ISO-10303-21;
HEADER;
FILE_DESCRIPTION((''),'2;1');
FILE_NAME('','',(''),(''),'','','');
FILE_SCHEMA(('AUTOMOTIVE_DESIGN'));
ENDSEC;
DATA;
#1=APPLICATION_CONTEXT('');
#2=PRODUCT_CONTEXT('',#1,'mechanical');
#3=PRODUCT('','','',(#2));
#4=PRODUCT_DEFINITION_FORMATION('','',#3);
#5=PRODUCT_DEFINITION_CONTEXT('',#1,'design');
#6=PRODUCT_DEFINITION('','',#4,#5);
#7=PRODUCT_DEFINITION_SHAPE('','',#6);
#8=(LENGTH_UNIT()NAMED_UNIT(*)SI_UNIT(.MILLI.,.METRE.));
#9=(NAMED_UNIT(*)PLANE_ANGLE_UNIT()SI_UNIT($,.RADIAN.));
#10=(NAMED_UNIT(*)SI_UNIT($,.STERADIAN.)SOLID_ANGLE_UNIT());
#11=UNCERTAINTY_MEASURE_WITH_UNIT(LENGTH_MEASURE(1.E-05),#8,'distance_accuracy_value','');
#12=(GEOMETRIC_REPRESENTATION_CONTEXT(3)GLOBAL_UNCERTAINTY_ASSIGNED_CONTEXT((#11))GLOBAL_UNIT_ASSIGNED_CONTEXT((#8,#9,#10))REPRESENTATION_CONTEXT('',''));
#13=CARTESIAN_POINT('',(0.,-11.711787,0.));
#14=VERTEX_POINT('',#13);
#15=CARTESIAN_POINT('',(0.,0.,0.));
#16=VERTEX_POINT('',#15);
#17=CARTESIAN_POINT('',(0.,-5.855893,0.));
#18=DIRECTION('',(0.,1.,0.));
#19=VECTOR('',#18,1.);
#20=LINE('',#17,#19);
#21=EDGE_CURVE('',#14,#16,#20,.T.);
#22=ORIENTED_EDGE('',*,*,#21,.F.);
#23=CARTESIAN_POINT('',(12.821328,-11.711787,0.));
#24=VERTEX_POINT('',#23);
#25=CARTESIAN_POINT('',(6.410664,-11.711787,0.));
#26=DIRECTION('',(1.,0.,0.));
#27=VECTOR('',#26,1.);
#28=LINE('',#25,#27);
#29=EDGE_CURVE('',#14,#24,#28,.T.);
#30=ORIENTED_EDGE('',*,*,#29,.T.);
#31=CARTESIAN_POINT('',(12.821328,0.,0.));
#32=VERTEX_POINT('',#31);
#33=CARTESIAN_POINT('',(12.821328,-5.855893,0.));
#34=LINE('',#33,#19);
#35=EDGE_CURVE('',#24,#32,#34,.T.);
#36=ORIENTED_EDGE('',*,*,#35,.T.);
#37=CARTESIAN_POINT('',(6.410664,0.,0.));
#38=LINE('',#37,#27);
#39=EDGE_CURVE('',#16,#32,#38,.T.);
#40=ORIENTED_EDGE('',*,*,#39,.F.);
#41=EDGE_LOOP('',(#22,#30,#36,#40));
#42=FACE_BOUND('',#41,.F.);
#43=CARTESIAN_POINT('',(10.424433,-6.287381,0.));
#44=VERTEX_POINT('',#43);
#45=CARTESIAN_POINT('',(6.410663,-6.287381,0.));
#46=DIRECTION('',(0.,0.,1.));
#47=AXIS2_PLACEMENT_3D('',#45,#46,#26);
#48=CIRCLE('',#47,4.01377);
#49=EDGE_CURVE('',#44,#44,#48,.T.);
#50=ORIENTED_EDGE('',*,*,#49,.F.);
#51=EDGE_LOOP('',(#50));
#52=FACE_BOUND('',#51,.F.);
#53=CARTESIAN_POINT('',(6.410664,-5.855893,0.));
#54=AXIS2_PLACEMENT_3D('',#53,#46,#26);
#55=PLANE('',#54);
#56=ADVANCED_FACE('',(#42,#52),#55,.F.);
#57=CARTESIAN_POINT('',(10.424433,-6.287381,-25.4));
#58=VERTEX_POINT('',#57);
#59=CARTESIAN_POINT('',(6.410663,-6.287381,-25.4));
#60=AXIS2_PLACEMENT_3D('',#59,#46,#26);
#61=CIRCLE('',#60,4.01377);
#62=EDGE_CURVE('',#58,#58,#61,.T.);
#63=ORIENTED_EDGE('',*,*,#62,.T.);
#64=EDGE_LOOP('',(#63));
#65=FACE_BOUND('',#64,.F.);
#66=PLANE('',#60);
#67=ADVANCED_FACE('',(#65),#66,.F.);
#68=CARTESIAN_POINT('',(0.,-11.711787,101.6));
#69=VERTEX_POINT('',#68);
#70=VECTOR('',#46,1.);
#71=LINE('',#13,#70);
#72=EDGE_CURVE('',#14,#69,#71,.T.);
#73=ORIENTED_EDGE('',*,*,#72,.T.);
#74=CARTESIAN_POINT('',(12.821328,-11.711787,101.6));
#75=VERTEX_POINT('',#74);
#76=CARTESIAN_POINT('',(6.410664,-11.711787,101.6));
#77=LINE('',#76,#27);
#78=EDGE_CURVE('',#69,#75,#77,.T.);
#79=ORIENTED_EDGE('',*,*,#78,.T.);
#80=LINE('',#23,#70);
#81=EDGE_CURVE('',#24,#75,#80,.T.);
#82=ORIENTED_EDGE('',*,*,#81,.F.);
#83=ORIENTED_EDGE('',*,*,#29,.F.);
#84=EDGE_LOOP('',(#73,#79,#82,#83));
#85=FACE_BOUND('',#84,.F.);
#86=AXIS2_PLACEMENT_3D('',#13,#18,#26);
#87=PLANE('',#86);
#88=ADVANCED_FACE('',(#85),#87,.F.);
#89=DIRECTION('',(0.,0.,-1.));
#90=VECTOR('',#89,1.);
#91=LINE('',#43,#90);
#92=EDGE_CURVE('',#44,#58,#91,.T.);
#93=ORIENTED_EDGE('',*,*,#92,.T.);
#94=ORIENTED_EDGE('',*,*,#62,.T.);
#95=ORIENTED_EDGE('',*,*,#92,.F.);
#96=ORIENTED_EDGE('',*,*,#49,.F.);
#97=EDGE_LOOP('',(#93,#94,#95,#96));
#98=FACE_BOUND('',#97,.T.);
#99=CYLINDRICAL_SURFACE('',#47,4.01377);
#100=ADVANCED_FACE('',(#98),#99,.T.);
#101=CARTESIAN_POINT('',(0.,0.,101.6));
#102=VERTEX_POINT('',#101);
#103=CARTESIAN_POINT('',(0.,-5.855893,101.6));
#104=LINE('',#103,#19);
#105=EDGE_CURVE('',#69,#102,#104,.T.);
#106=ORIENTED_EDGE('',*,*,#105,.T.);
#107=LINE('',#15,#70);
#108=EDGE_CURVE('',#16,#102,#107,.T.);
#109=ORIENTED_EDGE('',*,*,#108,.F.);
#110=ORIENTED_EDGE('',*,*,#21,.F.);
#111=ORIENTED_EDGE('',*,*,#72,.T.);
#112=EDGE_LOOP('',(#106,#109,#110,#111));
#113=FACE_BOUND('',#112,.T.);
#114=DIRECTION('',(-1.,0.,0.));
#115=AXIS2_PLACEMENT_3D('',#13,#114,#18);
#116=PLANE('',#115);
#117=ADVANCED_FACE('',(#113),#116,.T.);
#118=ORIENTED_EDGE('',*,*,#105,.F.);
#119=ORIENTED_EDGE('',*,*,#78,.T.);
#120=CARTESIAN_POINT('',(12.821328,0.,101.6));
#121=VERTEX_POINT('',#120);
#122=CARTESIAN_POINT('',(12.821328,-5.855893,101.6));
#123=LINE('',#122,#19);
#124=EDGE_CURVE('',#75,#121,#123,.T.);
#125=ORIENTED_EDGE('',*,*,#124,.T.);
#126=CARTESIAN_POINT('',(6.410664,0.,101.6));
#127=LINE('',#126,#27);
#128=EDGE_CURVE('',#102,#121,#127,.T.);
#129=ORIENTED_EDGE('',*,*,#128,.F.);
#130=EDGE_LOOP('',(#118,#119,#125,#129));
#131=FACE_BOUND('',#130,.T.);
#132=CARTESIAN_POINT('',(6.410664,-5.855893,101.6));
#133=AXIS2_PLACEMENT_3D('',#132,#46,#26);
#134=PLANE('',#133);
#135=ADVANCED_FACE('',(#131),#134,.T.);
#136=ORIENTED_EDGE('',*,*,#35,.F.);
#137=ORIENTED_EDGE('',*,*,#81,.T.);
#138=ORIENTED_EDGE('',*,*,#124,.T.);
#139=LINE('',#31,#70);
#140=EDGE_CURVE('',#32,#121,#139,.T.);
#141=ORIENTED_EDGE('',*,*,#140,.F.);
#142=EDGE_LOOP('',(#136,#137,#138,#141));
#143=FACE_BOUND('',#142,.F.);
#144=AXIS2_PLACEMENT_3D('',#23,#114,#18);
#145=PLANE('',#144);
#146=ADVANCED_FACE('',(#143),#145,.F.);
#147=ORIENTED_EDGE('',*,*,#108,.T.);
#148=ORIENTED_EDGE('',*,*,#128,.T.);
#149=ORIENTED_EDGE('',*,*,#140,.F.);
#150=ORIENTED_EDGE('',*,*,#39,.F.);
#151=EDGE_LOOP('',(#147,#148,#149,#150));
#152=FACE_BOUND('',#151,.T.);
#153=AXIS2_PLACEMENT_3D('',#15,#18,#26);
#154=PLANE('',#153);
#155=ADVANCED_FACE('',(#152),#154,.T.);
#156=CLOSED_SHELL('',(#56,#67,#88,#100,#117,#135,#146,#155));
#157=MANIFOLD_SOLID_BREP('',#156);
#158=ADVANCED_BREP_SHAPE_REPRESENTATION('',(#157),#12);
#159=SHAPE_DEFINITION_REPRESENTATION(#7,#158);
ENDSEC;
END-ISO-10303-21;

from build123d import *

# Parameters (mm, degrees)
F0_W     = 12.821327
F0_H     = 11.711787
F1_DEPTH = 101.6
F2_R     = 4.01377
F3_DEPTH = 25.4


with BuildPart() as f1:
    # F0 (on Top) → F1 (new body)
    with BuildSketch(Plane.XY):
        with Locations((6.410664, -5.855893)):
            Rectangle(F0_W, F0_H)
    extrude(amount=F1_DEPTH)

    # F2 (on Top) → F3 (join)
    with BuildSketch(Plane.XY):
        with Locations((6.410663, -6.287381)):
            Circle(F2_R)
    extrude(amount=-F3_DEPTH)


solid = f1.part
